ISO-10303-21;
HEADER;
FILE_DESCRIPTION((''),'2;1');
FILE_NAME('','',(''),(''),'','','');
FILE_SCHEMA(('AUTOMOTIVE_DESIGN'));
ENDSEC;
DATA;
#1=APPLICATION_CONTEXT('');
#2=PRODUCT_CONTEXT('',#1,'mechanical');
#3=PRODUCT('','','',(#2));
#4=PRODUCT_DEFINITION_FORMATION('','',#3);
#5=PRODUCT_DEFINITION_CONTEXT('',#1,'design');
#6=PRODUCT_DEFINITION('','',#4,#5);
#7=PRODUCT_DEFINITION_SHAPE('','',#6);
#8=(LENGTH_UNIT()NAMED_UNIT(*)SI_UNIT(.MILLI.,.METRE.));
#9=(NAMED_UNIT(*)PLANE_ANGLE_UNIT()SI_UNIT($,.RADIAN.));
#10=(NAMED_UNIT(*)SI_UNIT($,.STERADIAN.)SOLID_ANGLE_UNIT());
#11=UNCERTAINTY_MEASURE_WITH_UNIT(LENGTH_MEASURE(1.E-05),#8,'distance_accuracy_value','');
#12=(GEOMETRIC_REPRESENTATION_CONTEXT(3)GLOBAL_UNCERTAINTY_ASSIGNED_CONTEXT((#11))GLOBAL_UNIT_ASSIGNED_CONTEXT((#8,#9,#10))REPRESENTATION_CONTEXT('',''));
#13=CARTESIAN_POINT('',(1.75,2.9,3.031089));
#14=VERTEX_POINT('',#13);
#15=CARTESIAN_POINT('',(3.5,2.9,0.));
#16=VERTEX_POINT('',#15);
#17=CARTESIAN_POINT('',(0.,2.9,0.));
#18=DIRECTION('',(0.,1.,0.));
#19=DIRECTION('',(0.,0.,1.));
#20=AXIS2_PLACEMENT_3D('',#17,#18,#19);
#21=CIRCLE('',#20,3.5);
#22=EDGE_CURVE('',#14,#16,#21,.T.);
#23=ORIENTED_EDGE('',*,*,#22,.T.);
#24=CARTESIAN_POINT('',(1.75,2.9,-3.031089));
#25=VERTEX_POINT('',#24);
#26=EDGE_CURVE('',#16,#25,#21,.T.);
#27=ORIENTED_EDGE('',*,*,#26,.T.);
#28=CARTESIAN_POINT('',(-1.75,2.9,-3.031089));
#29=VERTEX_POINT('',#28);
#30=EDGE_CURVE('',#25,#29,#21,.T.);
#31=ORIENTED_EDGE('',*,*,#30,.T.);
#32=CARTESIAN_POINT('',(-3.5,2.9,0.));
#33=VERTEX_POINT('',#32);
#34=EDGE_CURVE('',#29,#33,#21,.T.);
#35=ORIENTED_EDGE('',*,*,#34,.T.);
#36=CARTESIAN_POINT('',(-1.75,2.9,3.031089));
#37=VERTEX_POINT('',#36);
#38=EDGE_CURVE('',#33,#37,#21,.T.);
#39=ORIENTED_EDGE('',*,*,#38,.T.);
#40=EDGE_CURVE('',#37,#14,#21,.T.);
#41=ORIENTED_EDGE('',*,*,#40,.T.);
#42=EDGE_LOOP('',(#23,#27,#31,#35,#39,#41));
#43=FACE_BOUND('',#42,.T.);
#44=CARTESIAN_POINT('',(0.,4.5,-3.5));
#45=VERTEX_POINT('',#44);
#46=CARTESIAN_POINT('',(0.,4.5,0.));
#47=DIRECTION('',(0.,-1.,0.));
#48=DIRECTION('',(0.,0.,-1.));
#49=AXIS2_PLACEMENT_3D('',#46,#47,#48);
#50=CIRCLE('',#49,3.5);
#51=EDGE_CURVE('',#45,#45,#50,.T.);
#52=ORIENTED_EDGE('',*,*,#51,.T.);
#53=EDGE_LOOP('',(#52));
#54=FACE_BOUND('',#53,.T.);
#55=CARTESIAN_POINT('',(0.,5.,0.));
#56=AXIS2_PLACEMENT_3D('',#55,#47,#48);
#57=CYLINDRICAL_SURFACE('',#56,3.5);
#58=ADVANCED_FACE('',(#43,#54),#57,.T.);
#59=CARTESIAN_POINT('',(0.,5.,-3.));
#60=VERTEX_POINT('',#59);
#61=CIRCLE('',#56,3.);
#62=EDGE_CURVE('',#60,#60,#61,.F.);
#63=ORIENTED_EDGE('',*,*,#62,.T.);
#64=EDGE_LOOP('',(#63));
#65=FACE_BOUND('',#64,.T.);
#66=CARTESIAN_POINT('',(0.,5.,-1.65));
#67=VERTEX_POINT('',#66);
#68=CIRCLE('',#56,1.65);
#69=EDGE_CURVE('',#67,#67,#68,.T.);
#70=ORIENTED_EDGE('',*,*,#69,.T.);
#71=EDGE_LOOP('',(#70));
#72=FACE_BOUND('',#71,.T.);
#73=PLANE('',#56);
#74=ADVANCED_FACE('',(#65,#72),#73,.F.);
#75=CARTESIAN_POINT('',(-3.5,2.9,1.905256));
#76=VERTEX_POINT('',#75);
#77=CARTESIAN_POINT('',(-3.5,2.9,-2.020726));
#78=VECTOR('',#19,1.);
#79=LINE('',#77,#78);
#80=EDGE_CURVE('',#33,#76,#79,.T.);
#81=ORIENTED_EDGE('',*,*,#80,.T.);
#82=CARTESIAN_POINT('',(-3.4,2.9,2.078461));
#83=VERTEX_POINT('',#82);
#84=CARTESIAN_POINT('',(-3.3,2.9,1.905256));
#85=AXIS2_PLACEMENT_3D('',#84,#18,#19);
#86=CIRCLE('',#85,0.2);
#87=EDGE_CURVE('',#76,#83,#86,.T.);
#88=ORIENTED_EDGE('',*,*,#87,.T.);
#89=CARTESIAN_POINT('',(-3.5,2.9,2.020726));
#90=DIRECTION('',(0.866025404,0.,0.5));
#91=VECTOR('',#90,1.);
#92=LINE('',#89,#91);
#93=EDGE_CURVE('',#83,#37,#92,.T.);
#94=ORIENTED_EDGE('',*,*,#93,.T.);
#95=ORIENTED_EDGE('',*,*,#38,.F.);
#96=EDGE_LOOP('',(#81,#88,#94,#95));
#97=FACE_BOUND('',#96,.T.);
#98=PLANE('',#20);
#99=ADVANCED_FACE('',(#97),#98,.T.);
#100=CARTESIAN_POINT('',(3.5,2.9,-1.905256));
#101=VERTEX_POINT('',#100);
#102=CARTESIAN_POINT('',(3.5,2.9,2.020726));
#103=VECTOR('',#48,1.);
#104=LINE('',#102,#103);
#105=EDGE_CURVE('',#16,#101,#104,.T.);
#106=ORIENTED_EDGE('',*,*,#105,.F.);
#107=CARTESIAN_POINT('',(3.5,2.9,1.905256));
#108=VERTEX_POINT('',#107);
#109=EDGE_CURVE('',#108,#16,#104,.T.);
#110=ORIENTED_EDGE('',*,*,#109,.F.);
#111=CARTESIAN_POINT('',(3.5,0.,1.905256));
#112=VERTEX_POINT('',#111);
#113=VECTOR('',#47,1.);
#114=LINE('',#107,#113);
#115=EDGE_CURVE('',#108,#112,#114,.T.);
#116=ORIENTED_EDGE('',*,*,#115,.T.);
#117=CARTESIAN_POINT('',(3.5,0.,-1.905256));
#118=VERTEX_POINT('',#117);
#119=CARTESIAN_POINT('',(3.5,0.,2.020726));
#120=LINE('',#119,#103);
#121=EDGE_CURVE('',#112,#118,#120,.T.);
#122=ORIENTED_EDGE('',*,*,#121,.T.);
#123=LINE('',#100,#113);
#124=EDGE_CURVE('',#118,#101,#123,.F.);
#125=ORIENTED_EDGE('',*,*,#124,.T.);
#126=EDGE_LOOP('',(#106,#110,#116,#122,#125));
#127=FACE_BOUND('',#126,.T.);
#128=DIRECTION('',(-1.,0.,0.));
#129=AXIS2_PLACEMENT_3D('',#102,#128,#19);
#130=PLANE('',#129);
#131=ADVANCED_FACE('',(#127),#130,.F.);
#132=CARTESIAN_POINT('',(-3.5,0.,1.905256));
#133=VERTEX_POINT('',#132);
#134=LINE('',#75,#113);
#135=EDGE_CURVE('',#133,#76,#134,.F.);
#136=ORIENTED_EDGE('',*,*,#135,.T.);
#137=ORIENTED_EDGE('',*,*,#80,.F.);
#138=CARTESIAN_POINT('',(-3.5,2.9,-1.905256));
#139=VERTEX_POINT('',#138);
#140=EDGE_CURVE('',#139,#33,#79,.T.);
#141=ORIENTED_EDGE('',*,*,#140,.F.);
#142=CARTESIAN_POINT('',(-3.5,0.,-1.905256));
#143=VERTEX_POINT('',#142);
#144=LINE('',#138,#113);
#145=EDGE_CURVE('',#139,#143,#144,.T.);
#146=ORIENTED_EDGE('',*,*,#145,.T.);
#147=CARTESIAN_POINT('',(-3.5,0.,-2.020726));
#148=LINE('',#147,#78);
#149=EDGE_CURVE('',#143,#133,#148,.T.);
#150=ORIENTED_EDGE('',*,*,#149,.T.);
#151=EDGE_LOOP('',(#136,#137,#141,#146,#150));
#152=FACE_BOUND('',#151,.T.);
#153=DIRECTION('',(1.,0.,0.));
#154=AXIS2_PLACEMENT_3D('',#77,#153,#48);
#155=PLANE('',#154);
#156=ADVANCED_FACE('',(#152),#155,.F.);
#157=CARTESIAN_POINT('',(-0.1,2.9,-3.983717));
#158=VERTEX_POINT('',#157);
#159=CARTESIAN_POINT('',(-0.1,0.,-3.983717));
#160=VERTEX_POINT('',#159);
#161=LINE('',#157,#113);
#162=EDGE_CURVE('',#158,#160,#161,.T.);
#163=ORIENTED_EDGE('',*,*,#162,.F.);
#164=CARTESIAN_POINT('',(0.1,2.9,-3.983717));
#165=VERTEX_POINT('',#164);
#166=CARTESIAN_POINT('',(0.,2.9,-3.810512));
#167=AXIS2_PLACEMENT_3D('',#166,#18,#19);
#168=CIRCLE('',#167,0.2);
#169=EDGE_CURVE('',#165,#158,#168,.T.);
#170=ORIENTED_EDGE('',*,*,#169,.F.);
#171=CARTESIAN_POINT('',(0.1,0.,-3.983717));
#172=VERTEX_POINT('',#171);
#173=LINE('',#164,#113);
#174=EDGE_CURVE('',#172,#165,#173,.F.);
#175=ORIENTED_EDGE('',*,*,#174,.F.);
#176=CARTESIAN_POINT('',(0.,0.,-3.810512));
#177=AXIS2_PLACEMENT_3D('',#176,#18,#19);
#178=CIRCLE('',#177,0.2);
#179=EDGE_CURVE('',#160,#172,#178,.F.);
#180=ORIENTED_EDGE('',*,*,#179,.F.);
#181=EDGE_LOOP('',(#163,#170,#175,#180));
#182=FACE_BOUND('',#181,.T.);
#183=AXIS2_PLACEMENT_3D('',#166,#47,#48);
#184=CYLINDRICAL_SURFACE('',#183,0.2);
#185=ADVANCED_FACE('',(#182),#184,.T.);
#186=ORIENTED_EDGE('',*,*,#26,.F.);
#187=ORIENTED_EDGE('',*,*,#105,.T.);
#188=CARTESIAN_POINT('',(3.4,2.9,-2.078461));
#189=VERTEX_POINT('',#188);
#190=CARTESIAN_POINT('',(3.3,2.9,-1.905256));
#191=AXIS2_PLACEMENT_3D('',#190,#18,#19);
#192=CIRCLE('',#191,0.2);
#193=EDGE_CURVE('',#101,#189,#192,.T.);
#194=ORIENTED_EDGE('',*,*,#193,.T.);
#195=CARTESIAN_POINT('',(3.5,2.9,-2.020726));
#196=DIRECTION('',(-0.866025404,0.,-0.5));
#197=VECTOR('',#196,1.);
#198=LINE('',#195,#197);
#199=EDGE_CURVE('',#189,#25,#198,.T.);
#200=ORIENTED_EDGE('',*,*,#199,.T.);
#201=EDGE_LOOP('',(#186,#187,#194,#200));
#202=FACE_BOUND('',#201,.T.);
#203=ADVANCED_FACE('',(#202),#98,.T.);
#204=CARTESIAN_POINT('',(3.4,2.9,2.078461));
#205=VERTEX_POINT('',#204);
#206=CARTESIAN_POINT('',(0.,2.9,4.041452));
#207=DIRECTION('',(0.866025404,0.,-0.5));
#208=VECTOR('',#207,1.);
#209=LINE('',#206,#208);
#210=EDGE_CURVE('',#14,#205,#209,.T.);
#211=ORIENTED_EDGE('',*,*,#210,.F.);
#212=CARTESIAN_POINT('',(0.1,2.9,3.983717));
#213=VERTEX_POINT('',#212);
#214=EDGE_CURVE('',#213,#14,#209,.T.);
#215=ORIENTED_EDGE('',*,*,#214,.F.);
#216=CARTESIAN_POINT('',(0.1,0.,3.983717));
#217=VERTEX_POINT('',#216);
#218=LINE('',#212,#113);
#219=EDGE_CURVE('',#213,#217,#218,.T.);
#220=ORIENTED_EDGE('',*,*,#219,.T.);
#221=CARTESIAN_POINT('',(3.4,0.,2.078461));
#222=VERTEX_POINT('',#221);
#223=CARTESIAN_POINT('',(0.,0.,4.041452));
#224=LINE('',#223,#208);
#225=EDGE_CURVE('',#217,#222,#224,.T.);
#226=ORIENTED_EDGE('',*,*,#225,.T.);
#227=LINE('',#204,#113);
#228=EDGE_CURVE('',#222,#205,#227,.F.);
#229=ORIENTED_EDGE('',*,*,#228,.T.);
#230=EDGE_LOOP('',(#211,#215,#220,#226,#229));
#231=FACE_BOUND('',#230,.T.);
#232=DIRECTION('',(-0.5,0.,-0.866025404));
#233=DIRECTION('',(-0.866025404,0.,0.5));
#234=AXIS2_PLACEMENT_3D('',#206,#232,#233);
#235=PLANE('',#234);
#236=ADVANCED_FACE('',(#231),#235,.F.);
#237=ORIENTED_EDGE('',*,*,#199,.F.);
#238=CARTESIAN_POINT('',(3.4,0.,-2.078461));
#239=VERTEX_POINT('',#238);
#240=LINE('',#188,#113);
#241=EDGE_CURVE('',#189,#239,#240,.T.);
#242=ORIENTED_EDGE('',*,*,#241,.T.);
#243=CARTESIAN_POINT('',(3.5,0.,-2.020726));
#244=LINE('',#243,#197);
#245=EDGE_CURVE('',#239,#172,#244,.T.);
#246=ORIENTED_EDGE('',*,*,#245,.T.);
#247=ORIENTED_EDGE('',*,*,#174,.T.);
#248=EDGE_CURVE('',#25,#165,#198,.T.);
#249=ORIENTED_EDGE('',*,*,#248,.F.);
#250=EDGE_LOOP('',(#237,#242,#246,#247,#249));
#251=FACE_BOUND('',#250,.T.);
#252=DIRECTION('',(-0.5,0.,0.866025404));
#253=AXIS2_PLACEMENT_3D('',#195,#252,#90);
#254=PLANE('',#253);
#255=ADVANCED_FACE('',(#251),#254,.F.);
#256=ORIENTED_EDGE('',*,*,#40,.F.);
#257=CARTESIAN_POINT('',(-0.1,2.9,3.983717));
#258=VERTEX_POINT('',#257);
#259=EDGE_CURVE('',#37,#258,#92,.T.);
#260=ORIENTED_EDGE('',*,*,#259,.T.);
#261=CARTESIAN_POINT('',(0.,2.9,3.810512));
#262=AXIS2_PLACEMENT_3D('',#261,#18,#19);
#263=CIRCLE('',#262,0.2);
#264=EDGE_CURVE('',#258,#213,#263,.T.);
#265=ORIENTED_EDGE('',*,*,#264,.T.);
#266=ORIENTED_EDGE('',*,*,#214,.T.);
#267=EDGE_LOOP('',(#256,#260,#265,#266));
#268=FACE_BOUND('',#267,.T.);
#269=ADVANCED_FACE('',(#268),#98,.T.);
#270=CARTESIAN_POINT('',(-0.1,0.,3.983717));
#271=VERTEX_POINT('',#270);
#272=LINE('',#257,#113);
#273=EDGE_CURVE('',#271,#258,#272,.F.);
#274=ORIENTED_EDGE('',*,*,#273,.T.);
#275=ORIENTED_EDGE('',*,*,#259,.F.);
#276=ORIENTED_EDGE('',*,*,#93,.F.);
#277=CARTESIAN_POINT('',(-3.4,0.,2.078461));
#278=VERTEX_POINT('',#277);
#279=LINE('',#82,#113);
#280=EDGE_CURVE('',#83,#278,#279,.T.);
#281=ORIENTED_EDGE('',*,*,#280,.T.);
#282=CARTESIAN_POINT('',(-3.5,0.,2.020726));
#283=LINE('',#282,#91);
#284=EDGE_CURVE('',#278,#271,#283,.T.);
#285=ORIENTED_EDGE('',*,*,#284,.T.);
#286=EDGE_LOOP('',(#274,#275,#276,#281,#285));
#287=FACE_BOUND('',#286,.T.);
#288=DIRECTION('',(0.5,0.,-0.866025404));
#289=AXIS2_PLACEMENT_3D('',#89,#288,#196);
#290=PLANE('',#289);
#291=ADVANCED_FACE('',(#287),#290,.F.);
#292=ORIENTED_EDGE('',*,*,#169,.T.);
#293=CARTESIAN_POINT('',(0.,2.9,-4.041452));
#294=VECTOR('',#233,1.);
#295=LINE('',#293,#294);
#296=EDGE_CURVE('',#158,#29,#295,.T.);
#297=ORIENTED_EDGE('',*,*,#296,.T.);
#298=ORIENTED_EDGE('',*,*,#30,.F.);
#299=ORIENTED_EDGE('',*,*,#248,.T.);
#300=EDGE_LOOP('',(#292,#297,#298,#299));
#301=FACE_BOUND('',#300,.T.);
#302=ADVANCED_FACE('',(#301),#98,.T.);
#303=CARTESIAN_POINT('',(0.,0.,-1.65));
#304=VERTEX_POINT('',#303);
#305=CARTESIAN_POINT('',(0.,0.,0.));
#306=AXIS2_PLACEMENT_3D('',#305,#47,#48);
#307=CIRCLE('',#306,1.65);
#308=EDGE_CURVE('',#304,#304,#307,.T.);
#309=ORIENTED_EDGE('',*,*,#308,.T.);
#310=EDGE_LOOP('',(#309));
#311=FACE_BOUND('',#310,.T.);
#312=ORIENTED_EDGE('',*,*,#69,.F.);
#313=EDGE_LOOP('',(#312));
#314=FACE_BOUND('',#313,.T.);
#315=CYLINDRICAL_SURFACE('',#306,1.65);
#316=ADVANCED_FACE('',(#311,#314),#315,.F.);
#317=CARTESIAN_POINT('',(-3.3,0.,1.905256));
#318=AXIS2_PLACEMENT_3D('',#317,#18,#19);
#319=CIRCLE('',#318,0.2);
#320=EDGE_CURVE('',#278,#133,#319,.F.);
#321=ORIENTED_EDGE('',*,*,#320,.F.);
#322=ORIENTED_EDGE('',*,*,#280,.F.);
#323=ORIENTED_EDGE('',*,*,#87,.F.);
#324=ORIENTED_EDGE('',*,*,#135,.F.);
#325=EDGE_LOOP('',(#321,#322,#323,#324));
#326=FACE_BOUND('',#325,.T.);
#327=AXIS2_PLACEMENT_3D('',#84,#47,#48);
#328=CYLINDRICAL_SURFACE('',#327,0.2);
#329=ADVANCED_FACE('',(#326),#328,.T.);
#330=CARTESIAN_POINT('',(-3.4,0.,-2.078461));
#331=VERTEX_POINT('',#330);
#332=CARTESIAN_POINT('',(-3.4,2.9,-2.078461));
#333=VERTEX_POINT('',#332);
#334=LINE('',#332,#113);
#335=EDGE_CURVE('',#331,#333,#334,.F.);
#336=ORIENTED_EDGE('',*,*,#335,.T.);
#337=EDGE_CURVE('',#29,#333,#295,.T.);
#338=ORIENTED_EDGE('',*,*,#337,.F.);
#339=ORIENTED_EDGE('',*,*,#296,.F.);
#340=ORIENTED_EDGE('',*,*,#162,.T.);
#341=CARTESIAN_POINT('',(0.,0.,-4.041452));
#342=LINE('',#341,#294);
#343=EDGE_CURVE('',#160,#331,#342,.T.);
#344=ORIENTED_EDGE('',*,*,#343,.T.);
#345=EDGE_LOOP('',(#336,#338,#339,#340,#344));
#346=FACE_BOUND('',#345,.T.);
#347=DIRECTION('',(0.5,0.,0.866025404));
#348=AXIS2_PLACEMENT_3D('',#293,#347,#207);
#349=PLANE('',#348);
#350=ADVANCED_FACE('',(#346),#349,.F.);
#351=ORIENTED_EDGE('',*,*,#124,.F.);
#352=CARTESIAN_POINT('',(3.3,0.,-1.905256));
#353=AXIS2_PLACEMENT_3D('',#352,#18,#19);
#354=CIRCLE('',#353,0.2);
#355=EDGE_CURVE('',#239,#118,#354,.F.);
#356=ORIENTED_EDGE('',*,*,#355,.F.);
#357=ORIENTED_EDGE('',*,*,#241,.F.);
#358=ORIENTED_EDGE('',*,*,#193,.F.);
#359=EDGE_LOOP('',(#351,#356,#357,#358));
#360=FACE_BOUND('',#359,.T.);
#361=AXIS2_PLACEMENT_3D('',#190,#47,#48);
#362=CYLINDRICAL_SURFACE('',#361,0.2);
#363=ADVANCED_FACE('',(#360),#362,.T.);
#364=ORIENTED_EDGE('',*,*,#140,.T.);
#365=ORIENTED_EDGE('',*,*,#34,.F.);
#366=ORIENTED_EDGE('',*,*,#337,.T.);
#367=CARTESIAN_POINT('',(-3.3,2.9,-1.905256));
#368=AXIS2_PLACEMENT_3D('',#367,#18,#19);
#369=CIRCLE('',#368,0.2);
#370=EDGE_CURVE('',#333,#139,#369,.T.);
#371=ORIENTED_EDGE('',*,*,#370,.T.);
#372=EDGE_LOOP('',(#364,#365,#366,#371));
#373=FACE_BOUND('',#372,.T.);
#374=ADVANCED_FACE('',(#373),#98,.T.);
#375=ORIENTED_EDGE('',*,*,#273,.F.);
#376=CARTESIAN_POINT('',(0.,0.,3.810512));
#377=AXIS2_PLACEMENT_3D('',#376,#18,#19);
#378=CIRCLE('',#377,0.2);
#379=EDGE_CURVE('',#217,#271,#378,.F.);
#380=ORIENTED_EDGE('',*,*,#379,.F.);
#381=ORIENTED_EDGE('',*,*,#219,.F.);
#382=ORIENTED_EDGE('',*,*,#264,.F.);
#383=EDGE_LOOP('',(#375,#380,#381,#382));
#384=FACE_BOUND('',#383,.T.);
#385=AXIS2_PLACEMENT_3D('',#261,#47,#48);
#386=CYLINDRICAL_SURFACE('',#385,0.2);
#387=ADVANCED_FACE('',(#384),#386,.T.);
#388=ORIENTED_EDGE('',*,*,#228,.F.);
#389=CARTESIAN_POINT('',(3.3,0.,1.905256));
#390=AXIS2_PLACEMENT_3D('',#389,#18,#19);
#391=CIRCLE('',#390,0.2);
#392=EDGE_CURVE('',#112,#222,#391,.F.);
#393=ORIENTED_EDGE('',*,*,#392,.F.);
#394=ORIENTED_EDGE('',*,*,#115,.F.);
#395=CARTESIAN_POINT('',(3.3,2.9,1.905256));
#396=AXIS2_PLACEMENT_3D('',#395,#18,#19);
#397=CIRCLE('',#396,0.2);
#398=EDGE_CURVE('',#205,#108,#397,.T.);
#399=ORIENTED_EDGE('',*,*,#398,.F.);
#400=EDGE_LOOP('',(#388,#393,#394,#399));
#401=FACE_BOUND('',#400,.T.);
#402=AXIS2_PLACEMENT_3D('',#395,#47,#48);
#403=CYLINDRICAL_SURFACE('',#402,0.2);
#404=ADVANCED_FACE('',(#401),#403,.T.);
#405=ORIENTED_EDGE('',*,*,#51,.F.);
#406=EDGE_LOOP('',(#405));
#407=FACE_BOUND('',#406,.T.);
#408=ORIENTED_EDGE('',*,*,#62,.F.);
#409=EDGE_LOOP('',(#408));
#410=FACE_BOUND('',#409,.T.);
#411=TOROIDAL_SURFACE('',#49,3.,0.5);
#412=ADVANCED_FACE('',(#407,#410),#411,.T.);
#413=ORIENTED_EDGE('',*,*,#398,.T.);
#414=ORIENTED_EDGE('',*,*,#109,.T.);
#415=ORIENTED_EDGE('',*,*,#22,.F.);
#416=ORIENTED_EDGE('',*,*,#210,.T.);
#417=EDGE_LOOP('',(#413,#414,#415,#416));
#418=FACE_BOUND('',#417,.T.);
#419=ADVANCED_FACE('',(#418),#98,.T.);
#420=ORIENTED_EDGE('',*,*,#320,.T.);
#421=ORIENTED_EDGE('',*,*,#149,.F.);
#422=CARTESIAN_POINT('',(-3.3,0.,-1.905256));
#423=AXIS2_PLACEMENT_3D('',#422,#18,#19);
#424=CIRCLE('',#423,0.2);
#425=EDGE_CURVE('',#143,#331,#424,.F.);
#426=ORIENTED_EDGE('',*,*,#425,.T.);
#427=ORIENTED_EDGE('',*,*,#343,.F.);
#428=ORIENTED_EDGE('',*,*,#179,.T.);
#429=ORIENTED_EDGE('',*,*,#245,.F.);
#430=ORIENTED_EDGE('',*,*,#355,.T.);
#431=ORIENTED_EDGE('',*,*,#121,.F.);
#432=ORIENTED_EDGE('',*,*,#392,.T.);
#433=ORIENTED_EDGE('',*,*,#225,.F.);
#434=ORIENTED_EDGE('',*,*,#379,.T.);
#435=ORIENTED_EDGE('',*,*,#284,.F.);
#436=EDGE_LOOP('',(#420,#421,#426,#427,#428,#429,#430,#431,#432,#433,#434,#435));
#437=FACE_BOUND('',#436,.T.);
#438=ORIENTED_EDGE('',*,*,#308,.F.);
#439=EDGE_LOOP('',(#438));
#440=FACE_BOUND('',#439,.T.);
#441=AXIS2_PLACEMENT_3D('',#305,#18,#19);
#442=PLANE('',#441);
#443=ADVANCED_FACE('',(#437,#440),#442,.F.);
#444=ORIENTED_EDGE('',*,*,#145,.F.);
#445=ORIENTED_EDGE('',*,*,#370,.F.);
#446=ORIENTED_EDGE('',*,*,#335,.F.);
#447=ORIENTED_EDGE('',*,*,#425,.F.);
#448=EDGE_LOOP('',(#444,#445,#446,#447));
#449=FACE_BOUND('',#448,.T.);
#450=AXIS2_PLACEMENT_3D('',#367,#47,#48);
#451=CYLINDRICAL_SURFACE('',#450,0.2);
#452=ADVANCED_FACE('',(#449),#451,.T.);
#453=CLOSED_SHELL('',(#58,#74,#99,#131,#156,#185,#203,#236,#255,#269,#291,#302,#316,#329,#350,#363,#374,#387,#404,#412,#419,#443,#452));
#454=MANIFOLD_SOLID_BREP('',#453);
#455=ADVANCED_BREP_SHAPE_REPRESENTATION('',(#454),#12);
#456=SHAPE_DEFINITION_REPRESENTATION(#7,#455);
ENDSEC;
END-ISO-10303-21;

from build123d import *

# Parameters (mm, degrees)
EXTRUDE_1_DEPTH    = 2.9
SKETCH_2_R         = 3.5
EXTRUDE_2_DEPTH    = 5
FILLET_1_R         = 0.5
FILLET_2_R         = 0.2
HOLE_WIZARD_M4_1_D = 3.3


with BuildPart() as part:
    # 草图1 → 凸台-拉伸1 (new body)
    with BuildSketch(Plane(origin=(0, 0, 0), x_dir=(1, 0, 0), z_dir=(0, 1, 0))):
        Polygon((0, 4.041451884), (-3.5, 2.020725942), (-3.5, -2.020725942), (0, -4.041451884), (3.5, -2.020725942), (3.5, 2.020725942), align=None)
    extrude(amount=EXTRUDE_1_DEPTH)

    # 草图2 → 凸台-拉伸2 (add)
    with BuildSketch(Plane.XZ):
        with Locations(Location((0, 0, 0), (0, 0, 270))):
            Circle(SKETCH_2_R)
    extrude(amount=-EXTRUDE_2_DEPTH)

    # 圆角1
    fillet_1_edges = [part.edges().sort_by_distance(p)[0] for p in [
        (0, 5, 3.5),
    ]]
    fillet(fillet_1_edges, radius=FILLET_1_R)

    # 圆角2
    fillet_2_edges = [part.edges().sort_by_distance(p)[0] for p in [
        (3.5, 1.45, -2.020725942),
        (3.5, 1.45, 2.020725942),
        (0, 1.45, 4.041451884),
        (-3.5, 1.45, 2.020725942),
        (-3.5, 1.45, -2.020725942),
        (0, 1.45, -4.041451884),
    ]]
    fillet(fillet_2_edges, radius=FILLET_2_R)

    # M4 螺纹孔1 (through all)
    with Locations(Plane(origin=(0, 0, 0), x_dir=(-1, 0, 0), z_dir=(0, -1, 0))):
        with Locations((0, 0)):
            Hole(HOLE_WIZARD_M4_1_D / 2)


solid = part.part
